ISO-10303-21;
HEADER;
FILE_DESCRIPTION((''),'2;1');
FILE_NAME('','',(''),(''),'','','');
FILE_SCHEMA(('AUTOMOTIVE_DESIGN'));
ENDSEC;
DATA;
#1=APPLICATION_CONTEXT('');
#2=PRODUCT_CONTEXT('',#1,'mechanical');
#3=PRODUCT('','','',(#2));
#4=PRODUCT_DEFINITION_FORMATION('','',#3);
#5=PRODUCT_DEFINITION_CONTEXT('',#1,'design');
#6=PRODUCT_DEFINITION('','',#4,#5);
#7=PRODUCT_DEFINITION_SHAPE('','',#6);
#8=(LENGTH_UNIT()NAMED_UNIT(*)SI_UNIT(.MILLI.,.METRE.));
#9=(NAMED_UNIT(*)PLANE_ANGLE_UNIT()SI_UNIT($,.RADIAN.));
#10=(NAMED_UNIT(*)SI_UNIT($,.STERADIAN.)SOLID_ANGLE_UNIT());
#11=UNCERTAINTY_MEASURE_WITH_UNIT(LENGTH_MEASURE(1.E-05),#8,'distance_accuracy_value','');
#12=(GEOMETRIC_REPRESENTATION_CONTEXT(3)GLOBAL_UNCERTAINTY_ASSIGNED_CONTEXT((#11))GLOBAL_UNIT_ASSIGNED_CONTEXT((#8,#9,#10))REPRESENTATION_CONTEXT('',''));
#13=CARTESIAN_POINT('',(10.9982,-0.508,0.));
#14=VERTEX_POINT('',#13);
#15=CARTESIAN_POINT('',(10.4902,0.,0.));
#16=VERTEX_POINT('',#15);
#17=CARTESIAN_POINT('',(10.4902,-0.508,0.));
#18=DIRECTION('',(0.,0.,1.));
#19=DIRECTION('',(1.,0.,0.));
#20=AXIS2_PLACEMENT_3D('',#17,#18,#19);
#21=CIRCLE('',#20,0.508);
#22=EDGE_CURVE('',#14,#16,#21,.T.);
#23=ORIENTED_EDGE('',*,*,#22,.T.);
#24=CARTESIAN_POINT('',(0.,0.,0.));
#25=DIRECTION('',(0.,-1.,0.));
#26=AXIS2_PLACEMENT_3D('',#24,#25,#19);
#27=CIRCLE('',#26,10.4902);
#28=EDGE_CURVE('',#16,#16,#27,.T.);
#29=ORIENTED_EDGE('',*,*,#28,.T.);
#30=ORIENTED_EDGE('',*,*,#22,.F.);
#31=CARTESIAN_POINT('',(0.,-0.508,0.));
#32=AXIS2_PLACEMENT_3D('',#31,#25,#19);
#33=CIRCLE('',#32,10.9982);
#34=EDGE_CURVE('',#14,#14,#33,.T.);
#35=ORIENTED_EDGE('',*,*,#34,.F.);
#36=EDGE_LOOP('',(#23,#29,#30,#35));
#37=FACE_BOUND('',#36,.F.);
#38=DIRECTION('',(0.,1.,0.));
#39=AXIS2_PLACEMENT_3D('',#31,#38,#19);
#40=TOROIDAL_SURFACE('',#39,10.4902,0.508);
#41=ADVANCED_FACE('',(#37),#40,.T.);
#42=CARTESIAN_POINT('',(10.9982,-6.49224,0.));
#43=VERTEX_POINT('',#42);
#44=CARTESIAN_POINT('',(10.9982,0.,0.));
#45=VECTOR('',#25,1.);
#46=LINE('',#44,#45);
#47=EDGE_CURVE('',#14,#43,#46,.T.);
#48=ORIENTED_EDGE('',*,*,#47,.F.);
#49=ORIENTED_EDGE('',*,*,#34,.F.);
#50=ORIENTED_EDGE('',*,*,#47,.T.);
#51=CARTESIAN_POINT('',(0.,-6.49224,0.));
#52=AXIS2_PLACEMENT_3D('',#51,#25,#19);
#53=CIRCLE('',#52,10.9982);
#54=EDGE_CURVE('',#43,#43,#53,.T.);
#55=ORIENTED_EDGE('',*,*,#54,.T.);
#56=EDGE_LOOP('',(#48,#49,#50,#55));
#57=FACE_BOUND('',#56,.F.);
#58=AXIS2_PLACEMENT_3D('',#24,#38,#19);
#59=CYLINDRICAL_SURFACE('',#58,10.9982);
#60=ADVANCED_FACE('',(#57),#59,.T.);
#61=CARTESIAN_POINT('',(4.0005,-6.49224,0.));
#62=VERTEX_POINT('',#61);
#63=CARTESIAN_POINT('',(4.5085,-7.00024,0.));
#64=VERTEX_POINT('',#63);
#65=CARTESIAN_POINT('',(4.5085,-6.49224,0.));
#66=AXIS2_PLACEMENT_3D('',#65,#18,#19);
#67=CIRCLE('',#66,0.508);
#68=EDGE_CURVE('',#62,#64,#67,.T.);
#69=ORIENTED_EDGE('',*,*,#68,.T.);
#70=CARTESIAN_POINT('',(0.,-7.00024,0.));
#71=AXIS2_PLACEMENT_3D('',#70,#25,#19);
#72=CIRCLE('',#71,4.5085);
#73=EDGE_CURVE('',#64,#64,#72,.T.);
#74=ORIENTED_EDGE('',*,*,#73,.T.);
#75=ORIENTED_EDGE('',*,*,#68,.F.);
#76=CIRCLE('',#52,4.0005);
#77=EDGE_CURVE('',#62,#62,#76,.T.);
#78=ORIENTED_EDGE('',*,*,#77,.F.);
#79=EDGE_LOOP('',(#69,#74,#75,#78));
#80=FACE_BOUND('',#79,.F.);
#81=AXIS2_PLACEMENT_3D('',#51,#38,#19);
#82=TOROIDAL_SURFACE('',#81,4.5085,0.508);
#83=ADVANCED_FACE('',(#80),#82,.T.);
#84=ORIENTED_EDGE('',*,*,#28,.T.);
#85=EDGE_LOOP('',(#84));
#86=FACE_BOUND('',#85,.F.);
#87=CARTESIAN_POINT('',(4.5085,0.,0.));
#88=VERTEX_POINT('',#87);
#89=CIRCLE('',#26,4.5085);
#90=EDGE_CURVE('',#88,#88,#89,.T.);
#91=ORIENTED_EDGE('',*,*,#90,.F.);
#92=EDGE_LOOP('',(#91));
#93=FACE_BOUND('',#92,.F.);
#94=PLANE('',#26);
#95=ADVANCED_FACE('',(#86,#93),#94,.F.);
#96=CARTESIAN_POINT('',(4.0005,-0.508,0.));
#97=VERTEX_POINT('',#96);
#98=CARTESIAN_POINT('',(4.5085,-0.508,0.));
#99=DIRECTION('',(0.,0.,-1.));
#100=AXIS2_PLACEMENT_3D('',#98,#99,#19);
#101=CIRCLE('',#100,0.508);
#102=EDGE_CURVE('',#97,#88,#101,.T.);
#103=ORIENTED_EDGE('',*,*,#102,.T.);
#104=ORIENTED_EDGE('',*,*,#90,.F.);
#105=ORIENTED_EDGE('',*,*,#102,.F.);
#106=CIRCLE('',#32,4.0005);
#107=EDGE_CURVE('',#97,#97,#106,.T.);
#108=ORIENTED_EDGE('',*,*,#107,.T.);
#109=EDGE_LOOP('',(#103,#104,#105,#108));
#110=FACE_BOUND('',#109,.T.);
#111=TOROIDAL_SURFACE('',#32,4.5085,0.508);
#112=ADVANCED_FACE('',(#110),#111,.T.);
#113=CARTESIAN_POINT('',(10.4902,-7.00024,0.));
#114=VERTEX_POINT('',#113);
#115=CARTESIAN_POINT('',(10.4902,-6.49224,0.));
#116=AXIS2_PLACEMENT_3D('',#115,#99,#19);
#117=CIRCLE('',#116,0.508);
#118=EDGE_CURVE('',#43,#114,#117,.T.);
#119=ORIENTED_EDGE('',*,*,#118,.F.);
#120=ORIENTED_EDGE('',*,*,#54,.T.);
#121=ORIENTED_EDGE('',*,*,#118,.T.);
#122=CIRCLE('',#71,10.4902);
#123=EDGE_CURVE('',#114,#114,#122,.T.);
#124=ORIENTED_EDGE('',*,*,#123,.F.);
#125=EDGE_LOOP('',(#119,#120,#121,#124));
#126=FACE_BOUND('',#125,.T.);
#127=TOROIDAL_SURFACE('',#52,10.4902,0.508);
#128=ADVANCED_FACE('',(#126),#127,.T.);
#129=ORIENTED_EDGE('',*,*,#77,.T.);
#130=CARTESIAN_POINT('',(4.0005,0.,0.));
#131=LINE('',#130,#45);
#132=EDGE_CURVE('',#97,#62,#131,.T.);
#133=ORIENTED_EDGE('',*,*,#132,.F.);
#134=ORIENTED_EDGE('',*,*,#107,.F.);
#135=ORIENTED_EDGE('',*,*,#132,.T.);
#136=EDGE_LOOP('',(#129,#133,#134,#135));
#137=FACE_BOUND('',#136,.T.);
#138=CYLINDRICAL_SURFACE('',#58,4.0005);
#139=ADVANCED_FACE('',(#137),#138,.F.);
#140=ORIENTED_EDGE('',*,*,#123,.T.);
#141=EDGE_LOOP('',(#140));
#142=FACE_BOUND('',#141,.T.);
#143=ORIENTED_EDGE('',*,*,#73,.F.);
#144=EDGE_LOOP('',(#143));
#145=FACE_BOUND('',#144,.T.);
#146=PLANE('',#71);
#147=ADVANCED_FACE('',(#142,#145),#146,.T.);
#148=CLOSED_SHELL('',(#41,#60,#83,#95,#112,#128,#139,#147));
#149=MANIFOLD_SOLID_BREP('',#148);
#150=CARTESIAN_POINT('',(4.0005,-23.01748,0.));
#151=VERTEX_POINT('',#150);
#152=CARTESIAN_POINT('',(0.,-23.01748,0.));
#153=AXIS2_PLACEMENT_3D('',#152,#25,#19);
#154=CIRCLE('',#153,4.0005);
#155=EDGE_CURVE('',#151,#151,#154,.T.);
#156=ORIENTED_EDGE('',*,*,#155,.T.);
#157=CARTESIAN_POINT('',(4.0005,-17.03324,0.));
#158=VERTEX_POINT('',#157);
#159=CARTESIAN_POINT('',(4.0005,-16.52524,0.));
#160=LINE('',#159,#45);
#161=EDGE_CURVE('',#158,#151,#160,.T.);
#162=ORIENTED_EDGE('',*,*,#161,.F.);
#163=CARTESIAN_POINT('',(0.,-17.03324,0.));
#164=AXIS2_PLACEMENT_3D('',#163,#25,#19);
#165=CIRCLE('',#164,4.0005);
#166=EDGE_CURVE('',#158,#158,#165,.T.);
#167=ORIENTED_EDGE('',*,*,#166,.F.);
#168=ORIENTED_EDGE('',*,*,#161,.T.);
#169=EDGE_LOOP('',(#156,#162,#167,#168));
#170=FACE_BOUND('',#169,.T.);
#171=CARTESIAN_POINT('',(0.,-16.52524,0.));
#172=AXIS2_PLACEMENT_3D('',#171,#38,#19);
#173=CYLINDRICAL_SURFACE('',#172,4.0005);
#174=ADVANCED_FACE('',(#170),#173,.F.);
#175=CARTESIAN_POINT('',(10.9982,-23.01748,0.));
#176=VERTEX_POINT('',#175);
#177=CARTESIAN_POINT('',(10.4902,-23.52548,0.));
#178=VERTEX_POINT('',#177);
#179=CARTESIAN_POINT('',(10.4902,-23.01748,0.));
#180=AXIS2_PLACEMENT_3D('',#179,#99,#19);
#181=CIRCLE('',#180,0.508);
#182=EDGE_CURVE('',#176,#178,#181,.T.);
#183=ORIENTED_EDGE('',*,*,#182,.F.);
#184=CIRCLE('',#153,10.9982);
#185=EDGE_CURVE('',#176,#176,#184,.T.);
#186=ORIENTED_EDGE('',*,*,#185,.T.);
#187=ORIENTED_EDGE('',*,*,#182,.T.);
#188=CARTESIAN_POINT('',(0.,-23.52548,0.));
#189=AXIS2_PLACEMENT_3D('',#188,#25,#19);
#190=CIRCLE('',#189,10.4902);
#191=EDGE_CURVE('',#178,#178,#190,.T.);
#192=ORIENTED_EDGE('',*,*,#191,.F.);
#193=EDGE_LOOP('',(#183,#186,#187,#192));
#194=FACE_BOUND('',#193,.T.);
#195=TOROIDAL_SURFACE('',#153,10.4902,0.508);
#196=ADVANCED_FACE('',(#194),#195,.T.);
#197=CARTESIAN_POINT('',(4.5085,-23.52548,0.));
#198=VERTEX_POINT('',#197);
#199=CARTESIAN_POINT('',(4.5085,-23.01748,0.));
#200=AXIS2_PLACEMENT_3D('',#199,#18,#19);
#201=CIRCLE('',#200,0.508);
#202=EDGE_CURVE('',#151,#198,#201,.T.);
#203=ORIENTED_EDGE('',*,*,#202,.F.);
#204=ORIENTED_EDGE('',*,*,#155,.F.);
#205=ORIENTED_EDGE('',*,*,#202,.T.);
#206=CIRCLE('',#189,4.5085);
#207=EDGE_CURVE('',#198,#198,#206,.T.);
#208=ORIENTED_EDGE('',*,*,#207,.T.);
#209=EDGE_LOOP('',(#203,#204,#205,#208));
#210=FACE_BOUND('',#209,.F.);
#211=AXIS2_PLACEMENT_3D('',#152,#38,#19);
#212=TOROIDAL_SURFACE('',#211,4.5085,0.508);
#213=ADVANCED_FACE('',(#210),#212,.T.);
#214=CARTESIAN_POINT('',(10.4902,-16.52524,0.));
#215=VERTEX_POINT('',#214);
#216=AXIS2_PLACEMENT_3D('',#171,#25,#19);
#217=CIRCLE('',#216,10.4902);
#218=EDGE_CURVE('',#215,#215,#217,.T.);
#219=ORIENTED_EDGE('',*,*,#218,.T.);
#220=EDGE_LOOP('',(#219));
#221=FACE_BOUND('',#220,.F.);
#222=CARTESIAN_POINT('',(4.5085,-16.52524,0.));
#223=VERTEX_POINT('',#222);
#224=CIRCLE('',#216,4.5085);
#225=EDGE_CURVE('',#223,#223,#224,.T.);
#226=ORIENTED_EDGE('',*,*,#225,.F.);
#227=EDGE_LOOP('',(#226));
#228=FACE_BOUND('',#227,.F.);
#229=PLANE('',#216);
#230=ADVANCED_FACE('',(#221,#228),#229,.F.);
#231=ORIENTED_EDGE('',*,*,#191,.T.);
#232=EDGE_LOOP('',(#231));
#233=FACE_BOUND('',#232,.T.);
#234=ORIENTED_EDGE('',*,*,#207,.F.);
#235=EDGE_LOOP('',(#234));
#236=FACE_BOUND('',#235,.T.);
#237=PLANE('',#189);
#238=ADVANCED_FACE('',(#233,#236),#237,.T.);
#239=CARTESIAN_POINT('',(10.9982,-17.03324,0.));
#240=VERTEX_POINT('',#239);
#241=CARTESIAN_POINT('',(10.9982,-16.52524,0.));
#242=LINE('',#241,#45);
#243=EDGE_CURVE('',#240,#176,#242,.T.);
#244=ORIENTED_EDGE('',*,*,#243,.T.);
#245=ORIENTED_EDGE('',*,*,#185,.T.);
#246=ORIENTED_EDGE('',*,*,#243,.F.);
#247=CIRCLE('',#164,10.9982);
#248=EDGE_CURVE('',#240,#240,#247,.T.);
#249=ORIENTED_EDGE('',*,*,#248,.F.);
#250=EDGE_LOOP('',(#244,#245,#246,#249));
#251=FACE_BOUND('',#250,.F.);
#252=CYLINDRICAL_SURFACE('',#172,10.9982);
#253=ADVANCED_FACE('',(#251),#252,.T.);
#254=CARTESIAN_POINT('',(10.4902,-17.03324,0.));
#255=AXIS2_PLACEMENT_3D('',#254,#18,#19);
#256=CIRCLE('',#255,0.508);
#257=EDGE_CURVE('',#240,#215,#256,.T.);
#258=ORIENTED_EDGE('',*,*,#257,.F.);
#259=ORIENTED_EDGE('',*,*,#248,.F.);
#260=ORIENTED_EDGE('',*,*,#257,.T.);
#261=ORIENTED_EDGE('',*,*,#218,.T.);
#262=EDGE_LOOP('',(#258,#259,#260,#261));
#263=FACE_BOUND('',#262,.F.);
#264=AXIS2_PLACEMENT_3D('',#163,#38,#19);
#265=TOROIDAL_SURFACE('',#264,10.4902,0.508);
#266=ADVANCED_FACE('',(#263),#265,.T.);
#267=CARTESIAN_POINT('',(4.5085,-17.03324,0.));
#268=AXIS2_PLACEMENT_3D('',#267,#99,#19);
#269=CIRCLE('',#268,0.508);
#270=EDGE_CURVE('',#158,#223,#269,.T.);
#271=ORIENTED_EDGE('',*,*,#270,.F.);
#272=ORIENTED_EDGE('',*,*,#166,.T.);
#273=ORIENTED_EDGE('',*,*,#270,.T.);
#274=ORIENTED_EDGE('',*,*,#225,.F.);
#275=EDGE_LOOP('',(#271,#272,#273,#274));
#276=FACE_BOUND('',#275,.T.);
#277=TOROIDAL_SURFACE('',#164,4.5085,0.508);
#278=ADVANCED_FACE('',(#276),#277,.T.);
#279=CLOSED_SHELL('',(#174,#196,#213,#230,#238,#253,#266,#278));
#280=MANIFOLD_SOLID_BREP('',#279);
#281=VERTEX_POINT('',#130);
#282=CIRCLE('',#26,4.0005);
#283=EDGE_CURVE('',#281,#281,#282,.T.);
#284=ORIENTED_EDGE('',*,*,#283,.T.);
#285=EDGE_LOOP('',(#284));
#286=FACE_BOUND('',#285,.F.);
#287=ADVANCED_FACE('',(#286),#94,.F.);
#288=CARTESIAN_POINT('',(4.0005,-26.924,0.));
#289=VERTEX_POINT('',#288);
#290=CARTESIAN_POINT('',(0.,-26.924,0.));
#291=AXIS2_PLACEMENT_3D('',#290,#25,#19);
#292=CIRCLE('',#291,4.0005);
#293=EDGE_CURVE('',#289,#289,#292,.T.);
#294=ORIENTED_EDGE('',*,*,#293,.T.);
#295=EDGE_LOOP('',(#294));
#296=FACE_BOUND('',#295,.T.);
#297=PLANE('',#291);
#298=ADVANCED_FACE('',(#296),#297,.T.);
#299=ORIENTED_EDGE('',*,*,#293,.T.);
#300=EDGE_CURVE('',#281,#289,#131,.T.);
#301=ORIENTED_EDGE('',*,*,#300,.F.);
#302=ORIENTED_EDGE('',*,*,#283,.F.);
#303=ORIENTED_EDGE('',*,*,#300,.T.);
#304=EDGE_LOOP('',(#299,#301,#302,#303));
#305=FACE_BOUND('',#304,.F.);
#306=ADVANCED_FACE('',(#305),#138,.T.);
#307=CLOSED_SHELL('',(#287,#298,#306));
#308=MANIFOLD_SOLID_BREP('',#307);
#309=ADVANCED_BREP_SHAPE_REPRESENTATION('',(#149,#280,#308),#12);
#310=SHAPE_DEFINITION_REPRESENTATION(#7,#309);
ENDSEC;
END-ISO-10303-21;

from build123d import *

# Parameters (mm, degrees)
F0_R     = 10.9982
F0_R_2   = 4.0005
F1_DEPTH = 7.00024
F2_R     = 0.508
F4_R     = 10.9982
F4_R_2   = 4.0005
F5_DEPTH = 7.00024
F6_R     = 0.508
F7_DEPTH = 26.924


with BuildPart() as f1:
    # F0 (on Front) → F1 (new body)
    with BuildSketch(Plane.XZ):
        Circle(F0_R)
        Circle(F0_R_2, mode=Mode.SUBTRACT)
    extrude(amount=F1_DEPTH)

    # F2
    f2_edges = [f1.edges().sort_by_distance(p)[0] for p in [
        (-10.9982, -7.00024, 0),
        (-10.9982, 0, 0),
        (-4.0005, 0, 0),
        (-4.0005, -7.00024, 0),
    ]]
    fillet(f2_edges, radius=F2_R)


with BuildPart() as f5:
    # F4 (on offset) → F5 (new body)
    with BuildSketch(Plane.XZ.offset(16.52524)):
        Circle(F4_R)
        Circle(F4_R_2, mode=Mode.SUBTRACT)
    extrude(amount=F5_DEPTH)

    # F6
    f6_edges = [f5.edges().sort_by_distance(p)[0] for p in [
        (-10.9982, -23.52548, 0),
        (-10.9982, -16.52524, 0),
        (-4.0005, -23.52548, 0),
        (-4.0005, -16.52524, 0),
    ]]
    fillet(f6_edges, radius=F6_R)


with BuildPart() as f7:
    # F0 (on Front) → F7 (new body)
    with BuildSketch(Plane.XZ):
        Circle(F0_R_2)
    extrude(amount=F7_DEPTH)


solid = Compound([f1.part, f5.part, f7.part])
